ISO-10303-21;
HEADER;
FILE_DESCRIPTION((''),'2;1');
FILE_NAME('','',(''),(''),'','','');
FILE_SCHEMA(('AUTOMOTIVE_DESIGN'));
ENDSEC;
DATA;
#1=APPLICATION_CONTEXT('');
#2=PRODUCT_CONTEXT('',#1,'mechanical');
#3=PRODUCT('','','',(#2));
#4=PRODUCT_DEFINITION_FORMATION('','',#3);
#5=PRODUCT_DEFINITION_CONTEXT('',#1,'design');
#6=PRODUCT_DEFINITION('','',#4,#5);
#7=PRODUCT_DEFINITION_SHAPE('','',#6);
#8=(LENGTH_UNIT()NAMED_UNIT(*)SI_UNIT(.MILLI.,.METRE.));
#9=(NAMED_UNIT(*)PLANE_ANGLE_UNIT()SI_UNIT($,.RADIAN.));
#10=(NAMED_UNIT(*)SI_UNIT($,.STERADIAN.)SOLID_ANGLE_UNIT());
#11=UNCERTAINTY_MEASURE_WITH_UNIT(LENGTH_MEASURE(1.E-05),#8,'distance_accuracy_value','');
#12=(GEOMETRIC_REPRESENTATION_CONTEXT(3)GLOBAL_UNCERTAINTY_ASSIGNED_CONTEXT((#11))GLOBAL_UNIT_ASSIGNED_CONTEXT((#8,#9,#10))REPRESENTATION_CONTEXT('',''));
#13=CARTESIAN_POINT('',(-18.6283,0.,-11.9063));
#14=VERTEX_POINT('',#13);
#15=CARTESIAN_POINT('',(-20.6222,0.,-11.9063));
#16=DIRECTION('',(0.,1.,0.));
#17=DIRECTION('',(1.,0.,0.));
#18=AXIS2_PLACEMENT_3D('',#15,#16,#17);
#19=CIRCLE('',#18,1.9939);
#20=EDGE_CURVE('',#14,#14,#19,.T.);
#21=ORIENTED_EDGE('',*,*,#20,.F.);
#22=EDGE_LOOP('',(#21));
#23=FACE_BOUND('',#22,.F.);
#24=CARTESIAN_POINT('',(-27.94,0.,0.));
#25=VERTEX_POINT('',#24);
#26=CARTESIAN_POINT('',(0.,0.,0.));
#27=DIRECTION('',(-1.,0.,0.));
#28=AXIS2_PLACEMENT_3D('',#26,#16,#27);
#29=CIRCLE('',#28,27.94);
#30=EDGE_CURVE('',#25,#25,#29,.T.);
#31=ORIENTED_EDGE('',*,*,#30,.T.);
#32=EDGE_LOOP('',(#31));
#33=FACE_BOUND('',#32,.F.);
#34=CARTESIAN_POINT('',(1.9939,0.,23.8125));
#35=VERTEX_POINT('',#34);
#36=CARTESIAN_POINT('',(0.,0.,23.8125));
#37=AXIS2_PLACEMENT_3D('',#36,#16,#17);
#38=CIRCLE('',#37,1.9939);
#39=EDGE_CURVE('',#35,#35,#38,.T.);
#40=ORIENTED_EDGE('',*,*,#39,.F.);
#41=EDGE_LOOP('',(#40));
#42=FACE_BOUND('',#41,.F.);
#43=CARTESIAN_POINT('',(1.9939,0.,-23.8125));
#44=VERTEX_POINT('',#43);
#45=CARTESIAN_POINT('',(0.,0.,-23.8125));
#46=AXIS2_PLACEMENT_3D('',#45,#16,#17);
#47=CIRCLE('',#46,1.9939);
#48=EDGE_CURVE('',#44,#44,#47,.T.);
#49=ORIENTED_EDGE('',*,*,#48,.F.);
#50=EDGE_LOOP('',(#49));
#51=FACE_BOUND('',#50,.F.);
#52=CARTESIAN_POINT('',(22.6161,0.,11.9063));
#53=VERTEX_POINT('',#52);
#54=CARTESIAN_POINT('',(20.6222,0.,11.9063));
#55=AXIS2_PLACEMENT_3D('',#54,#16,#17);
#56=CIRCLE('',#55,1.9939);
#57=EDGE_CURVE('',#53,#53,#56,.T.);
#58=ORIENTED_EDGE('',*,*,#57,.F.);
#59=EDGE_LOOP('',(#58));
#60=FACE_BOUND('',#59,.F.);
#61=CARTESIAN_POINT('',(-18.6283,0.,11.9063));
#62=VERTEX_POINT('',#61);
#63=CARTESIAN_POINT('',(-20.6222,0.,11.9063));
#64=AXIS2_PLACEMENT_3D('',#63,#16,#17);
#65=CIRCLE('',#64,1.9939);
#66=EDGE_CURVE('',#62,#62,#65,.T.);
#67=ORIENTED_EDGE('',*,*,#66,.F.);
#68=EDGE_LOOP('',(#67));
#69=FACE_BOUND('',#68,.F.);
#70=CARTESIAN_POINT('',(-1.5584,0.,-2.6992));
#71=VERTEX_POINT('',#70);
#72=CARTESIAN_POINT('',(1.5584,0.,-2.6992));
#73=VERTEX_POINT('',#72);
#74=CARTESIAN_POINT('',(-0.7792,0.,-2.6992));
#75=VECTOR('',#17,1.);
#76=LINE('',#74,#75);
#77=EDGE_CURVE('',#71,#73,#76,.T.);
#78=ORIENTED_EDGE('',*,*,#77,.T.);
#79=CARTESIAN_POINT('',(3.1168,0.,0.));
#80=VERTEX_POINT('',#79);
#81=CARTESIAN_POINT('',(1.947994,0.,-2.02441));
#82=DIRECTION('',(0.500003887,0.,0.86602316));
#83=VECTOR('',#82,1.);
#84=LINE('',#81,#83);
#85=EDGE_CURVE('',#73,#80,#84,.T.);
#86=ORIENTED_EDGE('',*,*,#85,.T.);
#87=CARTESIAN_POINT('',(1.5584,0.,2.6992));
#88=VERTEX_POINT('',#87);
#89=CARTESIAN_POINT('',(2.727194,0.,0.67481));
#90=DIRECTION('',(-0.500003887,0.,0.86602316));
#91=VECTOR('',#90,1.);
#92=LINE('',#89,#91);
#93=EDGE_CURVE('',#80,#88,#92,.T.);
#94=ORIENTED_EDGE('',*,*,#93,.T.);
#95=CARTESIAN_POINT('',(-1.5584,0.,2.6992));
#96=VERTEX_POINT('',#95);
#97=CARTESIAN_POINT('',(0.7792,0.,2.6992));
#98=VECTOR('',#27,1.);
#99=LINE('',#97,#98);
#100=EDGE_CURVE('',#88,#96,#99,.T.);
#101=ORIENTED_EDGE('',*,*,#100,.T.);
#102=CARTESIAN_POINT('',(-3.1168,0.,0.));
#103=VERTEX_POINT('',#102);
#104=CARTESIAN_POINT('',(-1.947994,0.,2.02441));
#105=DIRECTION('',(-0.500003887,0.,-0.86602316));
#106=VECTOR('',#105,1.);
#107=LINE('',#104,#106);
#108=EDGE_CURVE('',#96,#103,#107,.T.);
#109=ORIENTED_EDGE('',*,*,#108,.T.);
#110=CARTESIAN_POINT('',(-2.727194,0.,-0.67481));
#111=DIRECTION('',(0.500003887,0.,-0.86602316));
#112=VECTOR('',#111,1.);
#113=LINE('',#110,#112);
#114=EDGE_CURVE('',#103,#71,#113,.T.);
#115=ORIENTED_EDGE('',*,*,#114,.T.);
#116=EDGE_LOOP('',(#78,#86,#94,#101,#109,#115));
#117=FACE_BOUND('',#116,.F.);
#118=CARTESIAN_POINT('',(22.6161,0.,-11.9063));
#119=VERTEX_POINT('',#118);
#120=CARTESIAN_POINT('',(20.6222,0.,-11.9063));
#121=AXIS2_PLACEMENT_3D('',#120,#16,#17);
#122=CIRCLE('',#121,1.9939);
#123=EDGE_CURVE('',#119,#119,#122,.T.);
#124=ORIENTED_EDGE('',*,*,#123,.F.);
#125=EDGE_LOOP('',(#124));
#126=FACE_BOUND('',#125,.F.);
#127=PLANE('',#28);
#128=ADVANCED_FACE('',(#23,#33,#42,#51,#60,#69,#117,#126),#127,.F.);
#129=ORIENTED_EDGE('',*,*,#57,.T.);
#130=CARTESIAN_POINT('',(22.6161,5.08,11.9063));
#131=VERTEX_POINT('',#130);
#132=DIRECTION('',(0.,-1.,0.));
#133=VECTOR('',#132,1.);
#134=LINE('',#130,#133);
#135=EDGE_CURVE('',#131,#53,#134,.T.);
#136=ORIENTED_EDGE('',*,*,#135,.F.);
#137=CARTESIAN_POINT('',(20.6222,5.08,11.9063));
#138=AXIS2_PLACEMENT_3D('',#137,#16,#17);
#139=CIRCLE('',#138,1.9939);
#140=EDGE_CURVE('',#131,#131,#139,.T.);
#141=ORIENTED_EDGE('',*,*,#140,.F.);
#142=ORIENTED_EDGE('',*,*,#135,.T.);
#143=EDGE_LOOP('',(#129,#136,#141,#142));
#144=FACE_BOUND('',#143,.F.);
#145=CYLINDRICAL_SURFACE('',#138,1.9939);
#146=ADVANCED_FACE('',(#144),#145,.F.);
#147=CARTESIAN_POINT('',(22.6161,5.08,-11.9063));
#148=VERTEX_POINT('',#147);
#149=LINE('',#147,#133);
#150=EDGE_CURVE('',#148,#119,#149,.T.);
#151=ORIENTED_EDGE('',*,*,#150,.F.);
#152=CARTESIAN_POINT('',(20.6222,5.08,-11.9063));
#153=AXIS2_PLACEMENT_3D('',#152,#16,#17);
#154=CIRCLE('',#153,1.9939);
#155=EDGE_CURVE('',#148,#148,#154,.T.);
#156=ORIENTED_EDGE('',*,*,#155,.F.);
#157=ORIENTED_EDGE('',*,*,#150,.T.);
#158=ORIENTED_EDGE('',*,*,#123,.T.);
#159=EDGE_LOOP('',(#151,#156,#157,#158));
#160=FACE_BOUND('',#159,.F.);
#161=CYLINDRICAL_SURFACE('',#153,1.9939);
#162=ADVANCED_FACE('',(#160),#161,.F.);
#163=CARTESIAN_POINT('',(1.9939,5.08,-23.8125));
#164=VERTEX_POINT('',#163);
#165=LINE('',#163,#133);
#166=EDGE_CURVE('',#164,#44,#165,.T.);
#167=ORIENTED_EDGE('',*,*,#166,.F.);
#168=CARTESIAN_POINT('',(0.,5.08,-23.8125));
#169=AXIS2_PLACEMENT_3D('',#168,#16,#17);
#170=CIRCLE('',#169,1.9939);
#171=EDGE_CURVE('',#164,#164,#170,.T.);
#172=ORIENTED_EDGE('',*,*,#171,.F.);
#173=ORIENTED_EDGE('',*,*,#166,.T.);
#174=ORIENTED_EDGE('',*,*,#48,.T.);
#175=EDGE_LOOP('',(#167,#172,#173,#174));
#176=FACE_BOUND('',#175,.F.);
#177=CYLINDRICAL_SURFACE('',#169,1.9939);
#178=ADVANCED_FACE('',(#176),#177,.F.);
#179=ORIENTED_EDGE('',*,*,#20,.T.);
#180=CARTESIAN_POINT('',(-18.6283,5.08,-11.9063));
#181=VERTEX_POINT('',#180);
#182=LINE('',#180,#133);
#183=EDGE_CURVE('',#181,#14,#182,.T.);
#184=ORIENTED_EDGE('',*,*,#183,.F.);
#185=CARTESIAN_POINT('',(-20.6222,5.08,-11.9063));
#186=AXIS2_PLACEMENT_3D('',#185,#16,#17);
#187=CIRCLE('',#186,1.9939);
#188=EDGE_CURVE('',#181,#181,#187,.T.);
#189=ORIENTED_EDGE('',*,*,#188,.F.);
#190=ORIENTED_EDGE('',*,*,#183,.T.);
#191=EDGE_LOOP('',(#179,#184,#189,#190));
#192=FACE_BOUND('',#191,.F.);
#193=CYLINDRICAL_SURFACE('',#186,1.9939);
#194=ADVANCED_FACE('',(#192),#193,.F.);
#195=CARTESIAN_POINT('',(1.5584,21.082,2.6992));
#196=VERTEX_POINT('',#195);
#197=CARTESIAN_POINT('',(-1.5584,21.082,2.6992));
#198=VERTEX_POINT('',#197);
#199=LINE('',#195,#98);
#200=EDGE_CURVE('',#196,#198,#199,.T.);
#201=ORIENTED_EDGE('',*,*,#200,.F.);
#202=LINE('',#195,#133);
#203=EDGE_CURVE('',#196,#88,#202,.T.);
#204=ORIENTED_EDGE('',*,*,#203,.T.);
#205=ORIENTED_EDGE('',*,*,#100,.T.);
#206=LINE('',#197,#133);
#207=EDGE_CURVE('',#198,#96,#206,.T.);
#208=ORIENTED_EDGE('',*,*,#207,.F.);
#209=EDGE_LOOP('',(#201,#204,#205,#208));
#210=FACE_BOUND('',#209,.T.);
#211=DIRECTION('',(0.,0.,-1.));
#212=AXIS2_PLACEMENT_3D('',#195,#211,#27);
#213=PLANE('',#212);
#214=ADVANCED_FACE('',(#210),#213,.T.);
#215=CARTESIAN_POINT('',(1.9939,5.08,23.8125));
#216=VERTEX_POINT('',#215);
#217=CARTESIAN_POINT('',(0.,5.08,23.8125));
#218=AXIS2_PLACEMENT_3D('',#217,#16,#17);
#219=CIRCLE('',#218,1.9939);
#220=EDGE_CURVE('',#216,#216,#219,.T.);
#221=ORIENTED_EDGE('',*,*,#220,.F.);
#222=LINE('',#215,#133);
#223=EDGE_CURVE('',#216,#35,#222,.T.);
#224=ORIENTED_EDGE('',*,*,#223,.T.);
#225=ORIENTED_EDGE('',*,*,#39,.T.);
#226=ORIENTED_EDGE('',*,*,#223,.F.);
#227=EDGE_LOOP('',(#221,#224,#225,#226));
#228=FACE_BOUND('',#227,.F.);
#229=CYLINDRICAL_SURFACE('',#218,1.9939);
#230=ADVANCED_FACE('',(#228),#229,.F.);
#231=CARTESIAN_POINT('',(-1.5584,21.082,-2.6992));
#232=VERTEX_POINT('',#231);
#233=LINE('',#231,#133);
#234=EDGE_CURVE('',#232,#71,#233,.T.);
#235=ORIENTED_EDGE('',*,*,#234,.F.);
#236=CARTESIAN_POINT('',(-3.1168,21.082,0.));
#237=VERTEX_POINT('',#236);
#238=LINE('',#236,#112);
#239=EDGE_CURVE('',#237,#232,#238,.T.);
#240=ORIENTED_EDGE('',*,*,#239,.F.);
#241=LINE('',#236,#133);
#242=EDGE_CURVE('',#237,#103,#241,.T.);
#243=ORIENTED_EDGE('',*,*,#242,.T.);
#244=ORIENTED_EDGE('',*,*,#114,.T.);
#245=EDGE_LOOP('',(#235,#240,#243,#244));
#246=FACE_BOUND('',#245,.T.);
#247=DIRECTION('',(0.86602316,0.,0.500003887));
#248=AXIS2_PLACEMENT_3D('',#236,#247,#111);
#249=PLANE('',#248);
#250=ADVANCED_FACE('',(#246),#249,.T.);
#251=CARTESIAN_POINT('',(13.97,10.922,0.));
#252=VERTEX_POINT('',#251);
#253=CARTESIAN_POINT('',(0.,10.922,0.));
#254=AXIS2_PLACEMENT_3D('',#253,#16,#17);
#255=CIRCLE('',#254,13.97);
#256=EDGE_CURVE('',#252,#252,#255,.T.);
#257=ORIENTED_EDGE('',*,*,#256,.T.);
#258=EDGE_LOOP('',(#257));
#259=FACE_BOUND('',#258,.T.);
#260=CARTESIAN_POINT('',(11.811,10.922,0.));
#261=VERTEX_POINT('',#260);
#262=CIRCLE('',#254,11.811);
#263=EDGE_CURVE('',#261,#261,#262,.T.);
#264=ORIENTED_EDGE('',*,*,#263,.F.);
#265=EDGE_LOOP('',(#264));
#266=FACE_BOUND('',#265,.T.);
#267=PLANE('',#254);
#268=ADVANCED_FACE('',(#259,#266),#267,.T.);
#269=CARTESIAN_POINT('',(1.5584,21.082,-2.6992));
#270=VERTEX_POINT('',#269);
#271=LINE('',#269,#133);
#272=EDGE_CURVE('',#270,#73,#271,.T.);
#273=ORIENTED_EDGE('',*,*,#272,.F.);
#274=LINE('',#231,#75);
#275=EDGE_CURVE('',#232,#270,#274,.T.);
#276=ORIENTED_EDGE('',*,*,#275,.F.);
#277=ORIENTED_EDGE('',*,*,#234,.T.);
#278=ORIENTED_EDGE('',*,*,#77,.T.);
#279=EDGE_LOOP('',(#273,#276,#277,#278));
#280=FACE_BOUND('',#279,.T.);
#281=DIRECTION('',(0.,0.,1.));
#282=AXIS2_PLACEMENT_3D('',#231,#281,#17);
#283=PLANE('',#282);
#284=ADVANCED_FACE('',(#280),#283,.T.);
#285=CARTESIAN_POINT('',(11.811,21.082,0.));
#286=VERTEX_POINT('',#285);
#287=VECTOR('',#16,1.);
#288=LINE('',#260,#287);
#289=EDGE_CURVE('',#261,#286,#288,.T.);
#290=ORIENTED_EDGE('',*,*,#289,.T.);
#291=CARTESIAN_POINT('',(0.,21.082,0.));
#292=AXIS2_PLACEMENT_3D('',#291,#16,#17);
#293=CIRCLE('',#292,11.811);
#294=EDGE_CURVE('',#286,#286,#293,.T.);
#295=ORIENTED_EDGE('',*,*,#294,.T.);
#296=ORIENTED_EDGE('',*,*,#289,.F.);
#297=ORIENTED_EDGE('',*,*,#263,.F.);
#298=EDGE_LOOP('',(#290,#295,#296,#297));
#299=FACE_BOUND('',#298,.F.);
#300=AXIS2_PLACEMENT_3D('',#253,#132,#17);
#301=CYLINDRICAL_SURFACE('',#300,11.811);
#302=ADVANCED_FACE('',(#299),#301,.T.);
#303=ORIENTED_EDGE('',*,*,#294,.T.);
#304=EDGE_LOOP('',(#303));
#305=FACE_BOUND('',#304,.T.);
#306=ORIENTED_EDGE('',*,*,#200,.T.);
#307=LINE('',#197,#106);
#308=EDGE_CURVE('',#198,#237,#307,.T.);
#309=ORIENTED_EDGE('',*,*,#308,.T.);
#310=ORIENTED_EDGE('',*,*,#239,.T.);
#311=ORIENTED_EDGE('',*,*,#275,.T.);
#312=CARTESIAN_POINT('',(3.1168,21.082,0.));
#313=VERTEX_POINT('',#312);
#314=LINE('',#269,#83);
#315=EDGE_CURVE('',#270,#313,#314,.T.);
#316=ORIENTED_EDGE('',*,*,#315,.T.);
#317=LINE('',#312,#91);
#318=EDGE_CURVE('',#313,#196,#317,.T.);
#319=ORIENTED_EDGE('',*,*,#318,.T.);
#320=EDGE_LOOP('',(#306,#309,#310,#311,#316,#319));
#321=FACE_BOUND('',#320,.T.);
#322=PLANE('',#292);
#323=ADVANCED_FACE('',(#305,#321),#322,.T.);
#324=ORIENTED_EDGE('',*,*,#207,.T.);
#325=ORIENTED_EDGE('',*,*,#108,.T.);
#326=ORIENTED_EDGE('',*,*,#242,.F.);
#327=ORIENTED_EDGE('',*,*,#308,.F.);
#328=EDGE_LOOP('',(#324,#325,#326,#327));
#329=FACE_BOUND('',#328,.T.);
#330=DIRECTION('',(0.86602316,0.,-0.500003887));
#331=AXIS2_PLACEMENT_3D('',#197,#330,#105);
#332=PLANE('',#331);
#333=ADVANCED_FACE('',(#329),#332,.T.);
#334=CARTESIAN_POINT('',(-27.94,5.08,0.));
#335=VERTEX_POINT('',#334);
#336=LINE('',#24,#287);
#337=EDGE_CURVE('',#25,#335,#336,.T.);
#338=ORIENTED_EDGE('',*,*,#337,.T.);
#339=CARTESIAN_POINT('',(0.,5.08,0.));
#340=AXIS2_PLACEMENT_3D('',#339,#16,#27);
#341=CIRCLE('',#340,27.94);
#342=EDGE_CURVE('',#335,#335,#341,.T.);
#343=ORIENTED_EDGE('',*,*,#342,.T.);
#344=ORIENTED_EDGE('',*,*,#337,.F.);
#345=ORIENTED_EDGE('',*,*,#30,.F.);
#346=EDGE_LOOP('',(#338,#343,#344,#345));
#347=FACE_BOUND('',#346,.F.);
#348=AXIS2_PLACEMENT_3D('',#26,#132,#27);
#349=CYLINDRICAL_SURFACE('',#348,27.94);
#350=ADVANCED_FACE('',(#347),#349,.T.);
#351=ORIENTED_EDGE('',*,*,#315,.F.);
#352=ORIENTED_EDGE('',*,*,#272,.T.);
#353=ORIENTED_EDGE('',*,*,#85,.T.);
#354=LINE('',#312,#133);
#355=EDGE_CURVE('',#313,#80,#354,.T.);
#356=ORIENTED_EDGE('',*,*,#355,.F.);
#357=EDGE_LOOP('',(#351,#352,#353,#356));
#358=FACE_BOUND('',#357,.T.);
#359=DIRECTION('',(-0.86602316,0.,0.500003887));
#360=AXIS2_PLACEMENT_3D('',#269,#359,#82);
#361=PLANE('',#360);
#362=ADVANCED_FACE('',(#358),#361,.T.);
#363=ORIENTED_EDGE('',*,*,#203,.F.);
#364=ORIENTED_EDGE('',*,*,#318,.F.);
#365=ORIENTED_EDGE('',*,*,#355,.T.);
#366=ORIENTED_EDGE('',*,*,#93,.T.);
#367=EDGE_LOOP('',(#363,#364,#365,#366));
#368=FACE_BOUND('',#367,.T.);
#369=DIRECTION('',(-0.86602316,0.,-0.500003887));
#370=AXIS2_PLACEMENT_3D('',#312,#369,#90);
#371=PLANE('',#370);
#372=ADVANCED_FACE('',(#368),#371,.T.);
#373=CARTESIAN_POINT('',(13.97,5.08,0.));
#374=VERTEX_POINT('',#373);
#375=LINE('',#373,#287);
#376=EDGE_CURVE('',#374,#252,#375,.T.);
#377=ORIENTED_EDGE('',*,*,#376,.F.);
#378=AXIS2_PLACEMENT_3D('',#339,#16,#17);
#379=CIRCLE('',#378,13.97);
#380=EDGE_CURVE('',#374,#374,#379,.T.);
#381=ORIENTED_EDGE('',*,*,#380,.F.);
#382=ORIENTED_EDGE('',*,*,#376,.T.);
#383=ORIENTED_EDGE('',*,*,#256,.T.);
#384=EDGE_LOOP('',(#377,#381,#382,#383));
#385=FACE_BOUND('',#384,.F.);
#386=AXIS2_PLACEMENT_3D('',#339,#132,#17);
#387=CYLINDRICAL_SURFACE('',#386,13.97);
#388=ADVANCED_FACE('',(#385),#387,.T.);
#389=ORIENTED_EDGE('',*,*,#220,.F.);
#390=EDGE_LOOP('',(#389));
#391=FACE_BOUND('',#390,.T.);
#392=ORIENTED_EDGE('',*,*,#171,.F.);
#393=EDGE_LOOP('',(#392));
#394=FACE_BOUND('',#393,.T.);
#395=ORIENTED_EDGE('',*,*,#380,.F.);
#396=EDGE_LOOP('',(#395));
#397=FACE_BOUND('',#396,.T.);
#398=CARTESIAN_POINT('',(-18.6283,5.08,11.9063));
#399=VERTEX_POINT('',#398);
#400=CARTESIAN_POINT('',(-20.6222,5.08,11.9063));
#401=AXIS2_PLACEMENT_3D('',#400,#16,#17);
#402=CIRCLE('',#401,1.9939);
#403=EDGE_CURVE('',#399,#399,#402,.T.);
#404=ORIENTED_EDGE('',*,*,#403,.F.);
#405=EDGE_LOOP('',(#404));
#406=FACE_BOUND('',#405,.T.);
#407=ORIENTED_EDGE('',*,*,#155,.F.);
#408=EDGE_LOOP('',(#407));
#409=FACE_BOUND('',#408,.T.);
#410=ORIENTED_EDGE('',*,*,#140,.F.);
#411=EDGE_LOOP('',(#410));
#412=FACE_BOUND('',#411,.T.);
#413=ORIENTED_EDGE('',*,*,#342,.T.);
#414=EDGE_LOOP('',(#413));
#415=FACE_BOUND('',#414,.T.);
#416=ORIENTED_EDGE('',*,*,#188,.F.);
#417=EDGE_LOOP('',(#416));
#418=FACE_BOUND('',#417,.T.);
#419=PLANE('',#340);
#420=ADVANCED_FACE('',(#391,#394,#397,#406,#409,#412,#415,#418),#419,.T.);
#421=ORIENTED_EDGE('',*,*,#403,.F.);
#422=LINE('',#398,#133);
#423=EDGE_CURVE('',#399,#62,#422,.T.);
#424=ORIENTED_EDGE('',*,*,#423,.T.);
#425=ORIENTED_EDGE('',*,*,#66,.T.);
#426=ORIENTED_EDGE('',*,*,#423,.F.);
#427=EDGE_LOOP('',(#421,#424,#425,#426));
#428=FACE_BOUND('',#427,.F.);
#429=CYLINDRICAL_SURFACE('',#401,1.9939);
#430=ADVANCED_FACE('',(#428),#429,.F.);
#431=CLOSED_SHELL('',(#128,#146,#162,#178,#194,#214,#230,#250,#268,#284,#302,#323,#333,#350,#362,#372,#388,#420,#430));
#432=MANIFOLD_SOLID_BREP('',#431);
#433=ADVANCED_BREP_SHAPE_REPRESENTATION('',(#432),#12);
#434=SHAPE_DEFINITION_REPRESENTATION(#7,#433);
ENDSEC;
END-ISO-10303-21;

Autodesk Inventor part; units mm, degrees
ref_plane "YZ Plane" through (0, 0, 0) normal (1, 0, 0) x (0, 1, 0)
ref_plane "XZ Plane" through (0, 0, 0) normal (0, 1, 0) x (-1, 0, 0)
ref_plane "XY Plane" through (0, 0, 0) normal (0, 0, 1) x (1, 0, 0)
sketch "Sketch1" plane through (0, 0, 0) normal (0, 1, 0) x (-1, 0, 0)
  circle A0 centre (0, 0) radius 27.94
  dimension "d0" = 55.88
extrude "Extrusion1" add sketch "Sketch1" along normal blind 5.08
sketch "Sketch2" plane through (0, 5.08, 0) normal (0, 1, 0) x (1, 0, 0)
  circle A0 centre (0, 0) radius 13.97
  dimension "d3" = 27.94
extrude "Extrusion2" add sketch "Sketch2" along normal blind 5.842
sketch "Sketch3" plane through (0, 10.922, 0) normal (0, 1, 0) x (1, 0, 0)
  circle A0 centre (0, 0) radius 11.811
  dimension "d6" = 23.622
extrude "Extrusion3" add sketch "Sketch3" along normal blind 10.16
sketch "Sketch5" plane through (0, 21.082, 0) normal (0, 1, 0) x (1, 0, 0)
  line L0 (0, 0) -> (0, 2.667)
  line L1 (-3.1168, 0) -> (-1.5584, 2.6992)
  line L2 (-1.5584, 2.6992) -> (1.5584, 2.6992)
  line L3 (1.5584, 2.6992) -> (3.1168, 0)
  line L4 (3.1168, 0) -> (1.5584, -2.6992)
  line L5 (1.5584, -2.6992) -> (-1.5584, -2.6992)
  line L6 (-1.5584, -2.6992) -> (-3.1168, 0)
  dimension "d10" = 2.667
extrude "Extrusion4" cut sketch "Sketch5" against normal blind 25.4
sketch "Sketch6" plane through (0, 5.08, 0) normal (0, 1, 0) x (1, 0, 0)
  circle A0 centre (0, 0) radius 27.94 projected
  circle A1 centre (0, 23.8125) radius 1.9939
  circle A2 centre (20.6222, 11.9063) radius 1.9939
  circle A3 centre (20.6222, -11.9063) radius 1.9939
  circle A4 centre (0, -23.8125) radius 1.9939
  circle A5 centre (-20.6222, -11.9063) radius 1.9939
  circle A6 centre (-20.6222, 11.9063) radius 1.9939
extrude "Extrusion5" cut sketch "Sketch6" against normal blind 25.4 contours A1 | A2 | A3 | A4 | A5 | A6
properties part number "Wheel Mount"
